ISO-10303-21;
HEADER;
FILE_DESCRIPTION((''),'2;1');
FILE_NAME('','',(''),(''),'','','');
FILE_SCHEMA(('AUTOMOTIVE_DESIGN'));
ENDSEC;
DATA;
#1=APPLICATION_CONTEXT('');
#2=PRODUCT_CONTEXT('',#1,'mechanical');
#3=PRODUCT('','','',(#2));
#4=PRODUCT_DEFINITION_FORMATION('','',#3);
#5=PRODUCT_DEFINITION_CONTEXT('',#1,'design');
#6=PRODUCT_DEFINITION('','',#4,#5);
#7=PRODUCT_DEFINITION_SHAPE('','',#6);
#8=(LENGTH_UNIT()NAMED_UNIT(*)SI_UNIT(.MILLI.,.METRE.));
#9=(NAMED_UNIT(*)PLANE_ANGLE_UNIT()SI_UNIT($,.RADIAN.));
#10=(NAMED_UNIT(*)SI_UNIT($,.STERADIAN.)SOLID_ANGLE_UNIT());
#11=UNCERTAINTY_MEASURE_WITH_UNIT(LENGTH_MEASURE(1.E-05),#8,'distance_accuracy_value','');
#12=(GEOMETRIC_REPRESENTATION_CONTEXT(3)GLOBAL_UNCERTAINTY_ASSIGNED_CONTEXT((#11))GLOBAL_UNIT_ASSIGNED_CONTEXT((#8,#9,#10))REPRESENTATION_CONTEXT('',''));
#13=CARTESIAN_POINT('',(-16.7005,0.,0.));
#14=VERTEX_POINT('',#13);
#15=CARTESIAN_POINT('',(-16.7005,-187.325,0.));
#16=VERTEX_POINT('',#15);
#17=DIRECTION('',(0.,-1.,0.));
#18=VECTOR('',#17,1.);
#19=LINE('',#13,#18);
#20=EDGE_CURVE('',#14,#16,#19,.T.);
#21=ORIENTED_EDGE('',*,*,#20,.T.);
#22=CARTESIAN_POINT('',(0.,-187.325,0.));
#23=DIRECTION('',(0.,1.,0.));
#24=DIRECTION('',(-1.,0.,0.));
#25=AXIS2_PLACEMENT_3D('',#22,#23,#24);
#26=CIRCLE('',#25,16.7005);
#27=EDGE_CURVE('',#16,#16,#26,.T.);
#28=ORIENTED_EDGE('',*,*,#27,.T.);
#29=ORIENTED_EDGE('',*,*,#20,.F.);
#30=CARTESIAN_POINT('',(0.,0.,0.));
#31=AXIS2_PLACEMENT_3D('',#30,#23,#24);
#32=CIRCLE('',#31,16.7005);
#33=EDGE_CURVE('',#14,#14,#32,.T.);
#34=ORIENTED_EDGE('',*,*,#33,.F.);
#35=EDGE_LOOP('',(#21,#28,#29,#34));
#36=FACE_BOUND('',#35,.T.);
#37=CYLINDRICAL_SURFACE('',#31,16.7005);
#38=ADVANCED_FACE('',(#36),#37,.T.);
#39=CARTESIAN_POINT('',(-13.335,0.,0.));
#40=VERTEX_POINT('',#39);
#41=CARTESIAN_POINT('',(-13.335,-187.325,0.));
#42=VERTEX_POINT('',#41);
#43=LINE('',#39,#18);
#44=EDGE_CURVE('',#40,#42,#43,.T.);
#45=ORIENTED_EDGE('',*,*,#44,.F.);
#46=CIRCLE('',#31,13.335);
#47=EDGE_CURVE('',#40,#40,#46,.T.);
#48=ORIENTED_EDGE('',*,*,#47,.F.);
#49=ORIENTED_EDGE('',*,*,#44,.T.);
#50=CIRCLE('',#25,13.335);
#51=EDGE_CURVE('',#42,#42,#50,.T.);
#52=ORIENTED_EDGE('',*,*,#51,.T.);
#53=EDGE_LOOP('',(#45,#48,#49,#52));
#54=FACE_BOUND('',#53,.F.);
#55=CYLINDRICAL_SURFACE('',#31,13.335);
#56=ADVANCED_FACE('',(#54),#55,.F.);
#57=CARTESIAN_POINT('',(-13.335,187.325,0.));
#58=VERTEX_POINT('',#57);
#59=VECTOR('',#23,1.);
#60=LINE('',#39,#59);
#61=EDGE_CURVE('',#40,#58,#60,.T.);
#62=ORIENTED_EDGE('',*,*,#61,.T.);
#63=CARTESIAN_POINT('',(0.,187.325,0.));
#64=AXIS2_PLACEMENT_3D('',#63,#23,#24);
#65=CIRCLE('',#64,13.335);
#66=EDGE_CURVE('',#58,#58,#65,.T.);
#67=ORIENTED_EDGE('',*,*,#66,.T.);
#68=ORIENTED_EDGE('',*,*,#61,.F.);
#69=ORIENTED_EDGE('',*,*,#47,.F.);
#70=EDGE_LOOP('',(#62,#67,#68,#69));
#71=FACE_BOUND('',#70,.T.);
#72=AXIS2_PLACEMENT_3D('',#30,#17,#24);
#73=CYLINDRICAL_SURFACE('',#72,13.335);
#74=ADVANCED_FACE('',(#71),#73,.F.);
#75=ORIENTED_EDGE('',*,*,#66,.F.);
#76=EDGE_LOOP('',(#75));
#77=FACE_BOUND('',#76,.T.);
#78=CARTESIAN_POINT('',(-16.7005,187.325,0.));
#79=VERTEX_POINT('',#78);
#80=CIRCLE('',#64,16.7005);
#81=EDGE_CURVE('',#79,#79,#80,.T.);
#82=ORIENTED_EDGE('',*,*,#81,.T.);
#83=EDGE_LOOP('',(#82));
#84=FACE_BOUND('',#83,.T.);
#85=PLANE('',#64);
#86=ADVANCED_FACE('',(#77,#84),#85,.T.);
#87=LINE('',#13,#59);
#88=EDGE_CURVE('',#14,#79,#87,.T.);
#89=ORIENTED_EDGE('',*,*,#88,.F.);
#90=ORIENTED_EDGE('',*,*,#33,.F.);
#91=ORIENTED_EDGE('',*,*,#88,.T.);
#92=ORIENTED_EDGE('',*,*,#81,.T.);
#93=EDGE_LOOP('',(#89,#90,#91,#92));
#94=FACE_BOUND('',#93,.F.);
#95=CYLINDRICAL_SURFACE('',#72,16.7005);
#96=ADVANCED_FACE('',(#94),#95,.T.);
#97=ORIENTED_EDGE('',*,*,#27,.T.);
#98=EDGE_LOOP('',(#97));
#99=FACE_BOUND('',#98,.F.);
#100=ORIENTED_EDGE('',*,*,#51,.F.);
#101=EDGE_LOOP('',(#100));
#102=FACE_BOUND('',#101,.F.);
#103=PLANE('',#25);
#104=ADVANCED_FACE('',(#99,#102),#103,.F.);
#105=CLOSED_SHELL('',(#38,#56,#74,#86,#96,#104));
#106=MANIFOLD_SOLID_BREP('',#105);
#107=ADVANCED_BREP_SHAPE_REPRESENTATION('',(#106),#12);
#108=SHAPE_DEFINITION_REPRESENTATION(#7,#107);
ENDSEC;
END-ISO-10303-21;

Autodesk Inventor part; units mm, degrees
ref_plane "YZ Plane" through (0, 0, 0) normal (1, 0, 0) x (0, 1, 0)
ref_plane "XZ Plane" through (0, 0, 0) normal (0, 1, 0) x (-1, 0, 0)
ref_plane "XY Plane" through (0, 0, 0) normal (0, 0, 1) x (1, 0, 0)
sketch "Sketch1" plane through (0, 0, 0) normal (0, 1, 0) x (-1, 0, 0)
  circle A0 centre (0, 0) radius 16.7005
  circle A1 centre (0, 0) radius 13.335
  dimension "d0" = 33.401
  dimension "d1" = 26.67
extrude "Extrusion1" add sketch "Sketch1" along normal mid plane 374.65
properties part number "FE-130-002 End Tube" material "Aluminum 6061"
